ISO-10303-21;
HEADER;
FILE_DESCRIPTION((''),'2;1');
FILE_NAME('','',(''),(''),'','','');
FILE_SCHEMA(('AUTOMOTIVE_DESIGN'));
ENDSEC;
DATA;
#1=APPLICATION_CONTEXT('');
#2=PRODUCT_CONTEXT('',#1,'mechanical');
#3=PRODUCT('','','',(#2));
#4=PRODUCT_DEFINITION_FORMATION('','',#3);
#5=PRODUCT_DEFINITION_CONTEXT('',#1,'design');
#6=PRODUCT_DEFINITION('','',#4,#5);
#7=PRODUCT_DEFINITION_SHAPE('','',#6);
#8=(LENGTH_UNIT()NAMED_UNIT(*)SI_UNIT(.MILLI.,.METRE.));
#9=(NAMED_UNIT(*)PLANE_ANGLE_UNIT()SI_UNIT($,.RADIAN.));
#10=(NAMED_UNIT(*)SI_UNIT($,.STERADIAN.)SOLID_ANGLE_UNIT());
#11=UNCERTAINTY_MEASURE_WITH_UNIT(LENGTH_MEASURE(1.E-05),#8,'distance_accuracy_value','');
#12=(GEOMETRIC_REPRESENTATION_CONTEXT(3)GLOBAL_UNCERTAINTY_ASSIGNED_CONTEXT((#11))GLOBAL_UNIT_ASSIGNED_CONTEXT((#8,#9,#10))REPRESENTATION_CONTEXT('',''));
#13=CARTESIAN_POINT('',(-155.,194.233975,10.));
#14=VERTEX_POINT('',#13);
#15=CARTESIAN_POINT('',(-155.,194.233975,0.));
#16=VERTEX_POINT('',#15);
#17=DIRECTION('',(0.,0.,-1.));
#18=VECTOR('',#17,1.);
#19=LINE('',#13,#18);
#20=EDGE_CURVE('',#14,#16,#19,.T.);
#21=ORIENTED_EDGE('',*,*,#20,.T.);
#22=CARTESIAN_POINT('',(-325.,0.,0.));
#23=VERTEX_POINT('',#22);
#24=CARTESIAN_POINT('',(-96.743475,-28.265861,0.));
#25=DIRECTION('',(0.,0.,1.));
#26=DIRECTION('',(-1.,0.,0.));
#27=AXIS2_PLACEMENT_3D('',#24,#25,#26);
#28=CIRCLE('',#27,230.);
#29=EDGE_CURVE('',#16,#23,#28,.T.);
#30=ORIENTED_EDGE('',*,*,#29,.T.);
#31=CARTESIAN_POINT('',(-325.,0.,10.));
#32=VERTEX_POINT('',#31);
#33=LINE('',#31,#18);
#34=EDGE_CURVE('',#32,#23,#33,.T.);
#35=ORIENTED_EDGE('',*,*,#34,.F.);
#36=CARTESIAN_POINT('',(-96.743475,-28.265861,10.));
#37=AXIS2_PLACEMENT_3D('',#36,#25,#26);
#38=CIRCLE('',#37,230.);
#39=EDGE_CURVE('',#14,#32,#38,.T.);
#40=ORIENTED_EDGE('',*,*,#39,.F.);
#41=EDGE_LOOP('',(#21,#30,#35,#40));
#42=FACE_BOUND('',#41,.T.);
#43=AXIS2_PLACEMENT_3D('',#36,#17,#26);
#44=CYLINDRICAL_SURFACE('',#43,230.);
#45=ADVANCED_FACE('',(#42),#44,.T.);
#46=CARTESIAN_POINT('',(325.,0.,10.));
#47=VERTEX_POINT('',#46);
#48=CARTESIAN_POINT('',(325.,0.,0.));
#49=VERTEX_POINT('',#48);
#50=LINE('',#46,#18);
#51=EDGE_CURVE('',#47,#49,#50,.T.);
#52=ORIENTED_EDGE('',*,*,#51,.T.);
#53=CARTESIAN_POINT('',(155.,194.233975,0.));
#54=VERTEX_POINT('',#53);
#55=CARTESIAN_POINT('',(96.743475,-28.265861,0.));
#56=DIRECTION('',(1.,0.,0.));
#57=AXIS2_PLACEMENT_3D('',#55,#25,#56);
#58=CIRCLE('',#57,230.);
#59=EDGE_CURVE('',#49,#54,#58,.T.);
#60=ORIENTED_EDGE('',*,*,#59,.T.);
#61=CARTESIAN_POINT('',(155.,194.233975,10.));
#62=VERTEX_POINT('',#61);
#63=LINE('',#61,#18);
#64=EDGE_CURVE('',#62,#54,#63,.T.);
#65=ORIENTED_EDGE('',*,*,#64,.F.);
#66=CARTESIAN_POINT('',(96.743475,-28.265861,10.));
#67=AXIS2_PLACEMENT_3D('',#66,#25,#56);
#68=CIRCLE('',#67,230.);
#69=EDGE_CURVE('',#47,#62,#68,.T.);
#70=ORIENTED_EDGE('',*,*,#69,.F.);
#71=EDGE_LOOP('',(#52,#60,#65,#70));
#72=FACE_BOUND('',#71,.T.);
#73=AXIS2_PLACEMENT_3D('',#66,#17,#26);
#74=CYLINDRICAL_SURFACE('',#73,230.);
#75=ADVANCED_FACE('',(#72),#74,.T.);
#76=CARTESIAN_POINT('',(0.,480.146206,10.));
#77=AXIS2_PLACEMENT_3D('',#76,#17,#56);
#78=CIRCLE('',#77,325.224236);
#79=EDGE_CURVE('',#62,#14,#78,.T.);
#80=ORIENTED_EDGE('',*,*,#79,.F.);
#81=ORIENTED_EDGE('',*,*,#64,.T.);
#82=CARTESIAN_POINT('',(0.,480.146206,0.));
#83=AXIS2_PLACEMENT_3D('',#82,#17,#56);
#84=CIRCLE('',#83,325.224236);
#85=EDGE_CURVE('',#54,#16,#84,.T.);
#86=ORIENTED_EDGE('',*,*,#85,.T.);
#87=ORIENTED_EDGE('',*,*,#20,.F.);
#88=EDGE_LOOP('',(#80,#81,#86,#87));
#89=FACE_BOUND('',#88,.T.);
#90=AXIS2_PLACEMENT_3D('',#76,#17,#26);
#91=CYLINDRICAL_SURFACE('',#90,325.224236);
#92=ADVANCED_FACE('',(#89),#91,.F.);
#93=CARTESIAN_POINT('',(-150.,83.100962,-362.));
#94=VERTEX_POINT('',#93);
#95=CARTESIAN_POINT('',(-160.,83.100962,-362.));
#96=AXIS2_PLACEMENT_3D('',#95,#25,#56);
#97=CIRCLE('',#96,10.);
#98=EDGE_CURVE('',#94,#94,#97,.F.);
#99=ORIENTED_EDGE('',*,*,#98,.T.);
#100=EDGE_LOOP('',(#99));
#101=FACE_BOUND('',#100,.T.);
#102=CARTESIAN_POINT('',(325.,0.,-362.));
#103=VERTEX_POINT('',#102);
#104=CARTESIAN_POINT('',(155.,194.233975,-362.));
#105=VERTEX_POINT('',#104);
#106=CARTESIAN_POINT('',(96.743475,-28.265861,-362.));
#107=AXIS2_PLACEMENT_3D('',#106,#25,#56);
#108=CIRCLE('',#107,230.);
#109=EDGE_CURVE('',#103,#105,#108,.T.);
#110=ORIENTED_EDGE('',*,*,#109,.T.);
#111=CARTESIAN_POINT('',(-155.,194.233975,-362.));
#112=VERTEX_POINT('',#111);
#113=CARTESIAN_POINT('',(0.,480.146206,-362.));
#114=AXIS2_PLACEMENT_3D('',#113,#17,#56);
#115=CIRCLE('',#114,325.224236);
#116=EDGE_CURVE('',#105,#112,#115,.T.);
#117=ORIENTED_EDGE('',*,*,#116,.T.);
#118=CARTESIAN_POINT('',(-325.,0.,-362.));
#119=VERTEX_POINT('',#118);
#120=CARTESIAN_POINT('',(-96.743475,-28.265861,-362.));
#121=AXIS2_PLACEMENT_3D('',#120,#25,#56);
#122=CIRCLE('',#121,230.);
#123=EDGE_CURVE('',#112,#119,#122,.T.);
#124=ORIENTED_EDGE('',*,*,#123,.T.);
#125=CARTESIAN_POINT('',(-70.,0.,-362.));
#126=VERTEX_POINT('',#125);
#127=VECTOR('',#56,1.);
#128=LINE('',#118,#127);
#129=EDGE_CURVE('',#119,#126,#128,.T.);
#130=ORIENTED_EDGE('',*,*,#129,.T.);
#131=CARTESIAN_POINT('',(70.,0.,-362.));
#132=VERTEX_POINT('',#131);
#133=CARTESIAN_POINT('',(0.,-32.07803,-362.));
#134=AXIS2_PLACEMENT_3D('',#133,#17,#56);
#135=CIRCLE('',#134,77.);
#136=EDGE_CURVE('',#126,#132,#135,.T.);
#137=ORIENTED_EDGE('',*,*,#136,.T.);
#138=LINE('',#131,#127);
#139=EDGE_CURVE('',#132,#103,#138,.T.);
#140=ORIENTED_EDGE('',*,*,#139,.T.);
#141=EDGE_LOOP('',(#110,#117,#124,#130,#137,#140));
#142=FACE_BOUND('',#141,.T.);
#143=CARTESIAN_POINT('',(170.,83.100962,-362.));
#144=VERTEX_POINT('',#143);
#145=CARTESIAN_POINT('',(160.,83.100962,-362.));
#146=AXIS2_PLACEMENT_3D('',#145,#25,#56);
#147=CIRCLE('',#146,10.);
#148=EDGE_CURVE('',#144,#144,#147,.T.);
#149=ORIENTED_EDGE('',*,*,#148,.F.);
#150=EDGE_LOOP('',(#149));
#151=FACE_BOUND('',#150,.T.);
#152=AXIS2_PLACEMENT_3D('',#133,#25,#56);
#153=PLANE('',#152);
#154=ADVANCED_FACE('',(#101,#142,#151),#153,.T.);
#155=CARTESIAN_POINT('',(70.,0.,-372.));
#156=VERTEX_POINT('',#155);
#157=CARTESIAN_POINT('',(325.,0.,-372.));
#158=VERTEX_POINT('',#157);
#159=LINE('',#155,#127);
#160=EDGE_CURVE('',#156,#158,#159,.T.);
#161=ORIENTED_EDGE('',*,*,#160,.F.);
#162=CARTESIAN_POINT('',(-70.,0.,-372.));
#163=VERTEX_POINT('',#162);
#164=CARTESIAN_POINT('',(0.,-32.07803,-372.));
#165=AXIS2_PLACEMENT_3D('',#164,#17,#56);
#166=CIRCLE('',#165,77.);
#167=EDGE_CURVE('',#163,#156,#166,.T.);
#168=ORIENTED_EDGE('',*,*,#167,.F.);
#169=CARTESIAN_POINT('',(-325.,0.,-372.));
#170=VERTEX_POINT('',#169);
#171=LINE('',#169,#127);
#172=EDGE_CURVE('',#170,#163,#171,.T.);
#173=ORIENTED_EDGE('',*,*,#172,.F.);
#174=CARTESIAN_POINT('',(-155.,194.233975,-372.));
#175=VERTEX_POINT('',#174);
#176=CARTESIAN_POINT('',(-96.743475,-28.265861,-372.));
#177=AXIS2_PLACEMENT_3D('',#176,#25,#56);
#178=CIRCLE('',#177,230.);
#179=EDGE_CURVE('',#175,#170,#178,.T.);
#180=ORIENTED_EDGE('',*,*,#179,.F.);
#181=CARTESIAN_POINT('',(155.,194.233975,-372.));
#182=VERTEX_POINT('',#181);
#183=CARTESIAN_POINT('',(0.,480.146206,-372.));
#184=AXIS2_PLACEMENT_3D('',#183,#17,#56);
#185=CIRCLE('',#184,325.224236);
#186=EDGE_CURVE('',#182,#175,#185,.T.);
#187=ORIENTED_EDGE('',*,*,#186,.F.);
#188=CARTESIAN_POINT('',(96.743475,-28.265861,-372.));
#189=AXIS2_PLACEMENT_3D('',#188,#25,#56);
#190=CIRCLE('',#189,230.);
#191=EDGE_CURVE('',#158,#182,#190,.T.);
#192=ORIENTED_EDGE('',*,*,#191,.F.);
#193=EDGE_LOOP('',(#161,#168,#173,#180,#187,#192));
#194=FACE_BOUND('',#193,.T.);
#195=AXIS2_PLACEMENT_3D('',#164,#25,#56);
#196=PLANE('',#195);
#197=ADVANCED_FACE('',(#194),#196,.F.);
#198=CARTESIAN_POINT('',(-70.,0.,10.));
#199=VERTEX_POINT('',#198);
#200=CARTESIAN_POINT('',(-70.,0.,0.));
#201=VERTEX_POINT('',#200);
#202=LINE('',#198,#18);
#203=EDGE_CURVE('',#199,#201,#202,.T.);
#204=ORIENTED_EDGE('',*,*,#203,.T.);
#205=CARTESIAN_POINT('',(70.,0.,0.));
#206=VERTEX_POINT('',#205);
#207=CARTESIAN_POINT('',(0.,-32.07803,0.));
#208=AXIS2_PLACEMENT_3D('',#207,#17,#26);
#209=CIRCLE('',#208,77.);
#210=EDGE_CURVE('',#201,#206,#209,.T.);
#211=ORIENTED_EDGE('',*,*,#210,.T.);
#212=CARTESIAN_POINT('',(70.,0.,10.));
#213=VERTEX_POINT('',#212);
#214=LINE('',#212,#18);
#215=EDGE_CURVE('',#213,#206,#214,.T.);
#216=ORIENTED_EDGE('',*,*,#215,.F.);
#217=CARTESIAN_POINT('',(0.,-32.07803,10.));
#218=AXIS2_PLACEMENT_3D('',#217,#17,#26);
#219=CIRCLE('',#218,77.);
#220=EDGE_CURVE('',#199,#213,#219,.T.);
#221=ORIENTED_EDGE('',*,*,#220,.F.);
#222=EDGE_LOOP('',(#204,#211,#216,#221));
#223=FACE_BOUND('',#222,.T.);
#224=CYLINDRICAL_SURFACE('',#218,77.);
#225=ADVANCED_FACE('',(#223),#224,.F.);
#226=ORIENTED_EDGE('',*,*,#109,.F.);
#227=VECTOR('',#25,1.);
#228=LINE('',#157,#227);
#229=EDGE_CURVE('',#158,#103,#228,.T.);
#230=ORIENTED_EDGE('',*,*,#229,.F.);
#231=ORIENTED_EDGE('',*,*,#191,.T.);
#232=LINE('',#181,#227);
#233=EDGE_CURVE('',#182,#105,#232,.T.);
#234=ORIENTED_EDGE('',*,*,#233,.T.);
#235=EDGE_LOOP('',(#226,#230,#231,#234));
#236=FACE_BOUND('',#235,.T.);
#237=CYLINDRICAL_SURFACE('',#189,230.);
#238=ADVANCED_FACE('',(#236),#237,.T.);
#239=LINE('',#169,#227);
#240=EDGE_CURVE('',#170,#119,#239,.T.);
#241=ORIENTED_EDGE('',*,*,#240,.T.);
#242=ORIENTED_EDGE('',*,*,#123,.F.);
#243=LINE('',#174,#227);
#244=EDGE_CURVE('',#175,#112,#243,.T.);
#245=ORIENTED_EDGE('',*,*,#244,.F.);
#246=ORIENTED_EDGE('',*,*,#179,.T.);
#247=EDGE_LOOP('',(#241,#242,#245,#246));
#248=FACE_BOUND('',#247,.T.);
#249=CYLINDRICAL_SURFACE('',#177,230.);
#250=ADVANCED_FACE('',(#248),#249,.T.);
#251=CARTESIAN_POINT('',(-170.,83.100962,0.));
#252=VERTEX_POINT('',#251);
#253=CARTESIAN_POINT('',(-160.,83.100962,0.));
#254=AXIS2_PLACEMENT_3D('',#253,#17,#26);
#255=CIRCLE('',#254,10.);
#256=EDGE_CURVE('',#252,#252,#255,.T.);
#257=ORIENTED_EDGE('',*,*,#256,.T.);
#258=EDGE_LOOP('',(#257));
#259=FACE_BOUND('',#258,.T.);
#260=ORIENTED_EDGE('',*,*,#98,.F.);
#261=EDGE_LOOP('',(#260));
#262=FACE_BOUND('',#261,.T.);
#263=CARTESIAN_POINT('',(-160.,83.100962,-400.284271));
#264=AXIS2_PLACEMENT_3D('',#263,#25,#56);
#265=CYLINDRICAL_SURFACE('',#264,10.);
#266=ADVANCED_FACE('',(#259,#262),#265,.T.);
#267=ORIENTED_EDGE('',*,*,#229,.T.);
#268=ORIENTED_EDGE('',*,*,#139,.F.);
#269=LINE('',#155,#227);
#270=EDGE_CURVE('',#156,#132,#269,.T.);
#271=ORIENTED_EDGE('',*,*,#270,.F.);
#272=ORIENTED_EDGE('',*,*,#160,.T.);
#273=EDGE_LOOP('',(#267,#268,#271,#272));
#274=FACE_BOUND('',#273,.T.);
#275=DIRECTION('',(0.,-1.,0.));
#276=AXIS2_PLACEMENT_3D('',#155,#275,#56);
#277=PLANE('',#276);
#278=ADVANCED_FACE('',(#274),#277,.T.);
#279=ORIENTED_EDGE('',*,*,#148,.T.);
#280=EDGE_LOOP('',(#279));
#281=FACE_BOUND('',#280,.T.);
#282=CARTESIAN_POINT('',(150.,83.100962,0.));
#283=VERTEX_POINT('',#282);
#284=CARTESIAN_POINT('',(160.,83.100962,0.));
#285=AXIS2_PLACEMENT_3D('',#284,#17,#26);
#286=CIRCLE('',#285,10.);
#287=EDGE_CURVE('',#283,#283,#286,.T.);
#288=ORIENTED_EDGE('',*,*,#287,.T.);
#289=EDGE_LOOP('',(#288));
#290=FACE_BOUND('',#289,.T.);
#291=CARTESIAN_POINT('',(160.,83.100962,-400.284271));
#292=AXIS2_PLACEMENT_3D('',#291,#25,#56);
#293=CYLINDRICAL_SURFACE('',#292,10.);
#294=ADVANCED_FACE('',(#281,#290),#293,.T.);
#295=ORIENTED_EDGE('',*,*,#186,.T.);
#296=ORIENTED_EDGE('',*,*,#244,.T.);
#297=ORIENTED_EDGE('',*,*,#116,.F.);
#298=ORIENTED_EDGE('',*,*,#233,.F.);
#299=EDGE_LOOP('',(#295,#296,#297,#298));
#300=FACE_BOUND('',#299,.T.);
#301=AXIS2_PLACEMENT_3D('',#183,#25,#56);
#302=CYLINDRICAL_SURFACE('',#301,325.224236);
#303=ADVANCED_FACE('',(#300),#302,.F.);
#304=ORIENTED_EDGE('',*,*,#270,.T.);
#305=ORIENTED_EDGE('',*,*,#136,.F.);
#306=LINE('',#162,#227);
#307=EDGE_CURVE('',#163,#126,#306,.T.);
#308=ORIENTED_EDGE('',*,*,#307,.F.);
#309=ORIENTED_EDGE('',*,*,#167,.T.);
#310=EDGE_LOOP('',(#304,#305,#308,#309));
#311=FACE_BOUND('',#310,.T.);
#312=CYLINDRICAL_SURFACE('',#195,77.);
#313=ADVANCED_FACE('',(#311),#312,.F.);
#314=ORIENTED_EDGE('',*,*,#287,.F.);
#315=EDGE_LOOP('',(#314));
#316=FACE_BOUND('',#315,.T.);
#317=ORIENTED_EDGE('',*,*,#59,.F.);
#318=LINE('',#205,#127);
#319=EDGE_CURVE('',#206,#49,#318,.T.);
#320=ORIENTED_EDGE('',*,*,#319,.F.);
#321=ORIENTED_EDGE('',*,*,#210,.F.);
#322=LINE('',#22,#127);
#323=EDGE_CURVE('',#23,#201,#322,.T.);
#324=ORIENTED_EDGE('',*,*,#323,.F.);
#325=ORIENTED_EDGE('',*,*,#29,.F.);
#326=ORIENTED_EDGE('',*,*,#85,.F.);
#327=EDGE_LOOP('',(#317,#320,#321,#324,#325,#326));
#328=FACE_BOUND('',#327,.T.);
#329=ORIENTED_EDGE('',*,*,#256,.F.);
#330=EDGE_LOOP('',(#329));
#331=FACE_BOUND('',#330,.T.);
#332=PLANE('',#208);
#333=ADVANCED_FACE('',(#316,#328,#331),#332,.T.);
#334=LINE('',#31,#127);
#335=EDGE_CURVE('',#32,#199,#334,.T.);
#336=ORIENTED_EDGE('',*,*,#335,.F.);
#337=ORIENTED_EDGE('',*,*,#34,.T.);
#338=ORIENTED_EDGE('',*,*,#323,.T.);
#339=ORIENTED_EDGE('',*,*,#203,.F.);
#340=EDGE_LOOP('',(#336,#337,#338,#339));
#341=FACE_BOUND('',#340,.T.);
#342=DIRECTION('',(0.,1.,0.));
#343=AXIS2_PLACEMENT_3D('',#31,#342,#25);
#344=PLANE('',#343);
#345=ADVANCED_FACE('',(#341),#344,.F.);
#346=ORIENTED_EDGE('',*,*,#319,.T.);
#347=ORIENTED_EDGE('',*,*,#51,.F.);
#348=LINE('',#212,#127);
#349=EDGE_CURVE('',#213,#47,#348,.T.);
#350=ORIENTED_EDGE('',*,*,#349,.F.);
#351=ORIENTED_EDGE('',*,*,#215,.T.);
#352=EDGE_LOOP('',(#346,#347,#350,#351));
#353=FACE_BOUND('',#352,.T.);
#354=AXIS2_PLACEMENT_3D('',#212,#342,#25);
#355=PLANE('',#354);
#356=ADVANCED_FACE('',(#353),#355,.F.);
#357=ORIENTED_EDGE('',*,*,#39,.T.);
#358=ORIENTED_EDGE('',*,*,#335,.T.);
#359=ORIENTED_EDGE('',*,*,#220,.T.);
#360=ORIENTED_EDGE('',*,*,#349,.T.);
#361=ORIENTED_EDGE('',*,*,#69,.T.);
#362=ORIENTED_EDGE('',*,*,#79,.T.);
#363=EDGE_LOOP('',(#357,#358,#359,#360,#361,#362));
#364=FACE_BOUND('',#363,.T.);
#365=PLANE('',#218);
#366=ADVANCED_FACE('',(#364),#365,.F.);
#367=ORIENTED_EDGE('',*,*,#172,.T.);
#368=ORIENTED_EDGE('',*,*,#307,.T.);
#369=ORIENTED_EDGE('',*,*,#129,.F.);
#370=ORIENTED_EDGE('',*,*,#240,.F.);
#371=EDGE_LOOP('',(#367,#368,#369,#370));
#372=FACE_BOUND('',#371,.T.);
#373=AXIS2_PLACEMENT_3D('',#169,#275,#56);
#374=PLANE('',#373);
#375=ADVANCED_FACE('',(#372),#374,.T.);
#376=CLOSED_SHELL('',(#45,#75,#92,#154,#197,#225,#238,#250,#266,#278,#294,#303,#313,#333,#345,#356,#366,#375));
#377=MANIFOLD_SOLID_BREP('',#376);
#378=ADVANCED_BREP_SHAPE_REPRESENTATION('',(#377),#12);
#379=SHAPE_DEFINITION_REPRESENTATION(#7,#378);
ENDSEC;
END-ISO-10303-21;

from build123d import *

# Parameters (mm, degrees)
BOSS_EXTRUDE1_DEPTH = 10
BOSS_EXTRUDE2_DEPTH = 10
SKETCH3_R           = 10
BOSS_EXTRUDE3_DEPTH = 382


with BuildPart() as part:
    # Sketch1 → Boss-Extrude1 (new body)
    with BuildSketch(Plane.XY):
        with BuildLine():
            Line((-325, 0), (-70, 0))
            ThreePointArc((-70, 0), (0, 44.921970135), (70, 0))
            Line((70, 0), (325, 0))
            ThreePointArc((325, 0), (269.81612239, 123.213044268), (155, 194.233975444))
            ThreePointArc((155, 194.233975444), (0, 154.921970135), (-155, 194.233975444))
            ThreePointArc((-155, 194.233975444), (-269.81612239, 123.213044268), (-325, 0))
        make_face()
    extrude(amount=BOSS_EXTRUDE1_DEPTH)



with BuildPart() as body_2:
    # Sketch2 → Boss-Extrude2 (new body)
    with BuildSketch(Plane.XY.offset(-362)):
        with BuildLine():
            Line((70, 0), (325, 0))
            ThreePointArc((325, 0), (269.81612239, 123.213044268), (155, 194.233975444))
            ThreePointArc((155, 194.233975444), (0, 154.921970135), (-155, 194.233975444))
            ThreePointArc((-155, 194.233975444), (-269.81612239, 123.213044268), (-325, 0))
            Line((-325, 0), (-70, 0))
            ThreePointArc((-70, 0), (0, 44.921970135), (70, 0))
        make_face()
    extrude(amount=-BOSS_EXTRUDE2_DEPTH)


with BuildPart() as part_1:
    add(part.part)

    add(body_2.part)  # Boss-Extrude3 merges body 2
    # Sketch3 → Boss-Extrude3 (add)
    with BuildSketch(Plane.XY.offset(10)):
        with Locations((-160, 83.10096245)):
            Circle(SKETCH3_R)
        with Locations((160, 83.10096245)):
            Circle(SKETCH3_R)
    extrude(amount=-BOSS_EXTRUDE3_DEPTH)


solid = part_1.part
